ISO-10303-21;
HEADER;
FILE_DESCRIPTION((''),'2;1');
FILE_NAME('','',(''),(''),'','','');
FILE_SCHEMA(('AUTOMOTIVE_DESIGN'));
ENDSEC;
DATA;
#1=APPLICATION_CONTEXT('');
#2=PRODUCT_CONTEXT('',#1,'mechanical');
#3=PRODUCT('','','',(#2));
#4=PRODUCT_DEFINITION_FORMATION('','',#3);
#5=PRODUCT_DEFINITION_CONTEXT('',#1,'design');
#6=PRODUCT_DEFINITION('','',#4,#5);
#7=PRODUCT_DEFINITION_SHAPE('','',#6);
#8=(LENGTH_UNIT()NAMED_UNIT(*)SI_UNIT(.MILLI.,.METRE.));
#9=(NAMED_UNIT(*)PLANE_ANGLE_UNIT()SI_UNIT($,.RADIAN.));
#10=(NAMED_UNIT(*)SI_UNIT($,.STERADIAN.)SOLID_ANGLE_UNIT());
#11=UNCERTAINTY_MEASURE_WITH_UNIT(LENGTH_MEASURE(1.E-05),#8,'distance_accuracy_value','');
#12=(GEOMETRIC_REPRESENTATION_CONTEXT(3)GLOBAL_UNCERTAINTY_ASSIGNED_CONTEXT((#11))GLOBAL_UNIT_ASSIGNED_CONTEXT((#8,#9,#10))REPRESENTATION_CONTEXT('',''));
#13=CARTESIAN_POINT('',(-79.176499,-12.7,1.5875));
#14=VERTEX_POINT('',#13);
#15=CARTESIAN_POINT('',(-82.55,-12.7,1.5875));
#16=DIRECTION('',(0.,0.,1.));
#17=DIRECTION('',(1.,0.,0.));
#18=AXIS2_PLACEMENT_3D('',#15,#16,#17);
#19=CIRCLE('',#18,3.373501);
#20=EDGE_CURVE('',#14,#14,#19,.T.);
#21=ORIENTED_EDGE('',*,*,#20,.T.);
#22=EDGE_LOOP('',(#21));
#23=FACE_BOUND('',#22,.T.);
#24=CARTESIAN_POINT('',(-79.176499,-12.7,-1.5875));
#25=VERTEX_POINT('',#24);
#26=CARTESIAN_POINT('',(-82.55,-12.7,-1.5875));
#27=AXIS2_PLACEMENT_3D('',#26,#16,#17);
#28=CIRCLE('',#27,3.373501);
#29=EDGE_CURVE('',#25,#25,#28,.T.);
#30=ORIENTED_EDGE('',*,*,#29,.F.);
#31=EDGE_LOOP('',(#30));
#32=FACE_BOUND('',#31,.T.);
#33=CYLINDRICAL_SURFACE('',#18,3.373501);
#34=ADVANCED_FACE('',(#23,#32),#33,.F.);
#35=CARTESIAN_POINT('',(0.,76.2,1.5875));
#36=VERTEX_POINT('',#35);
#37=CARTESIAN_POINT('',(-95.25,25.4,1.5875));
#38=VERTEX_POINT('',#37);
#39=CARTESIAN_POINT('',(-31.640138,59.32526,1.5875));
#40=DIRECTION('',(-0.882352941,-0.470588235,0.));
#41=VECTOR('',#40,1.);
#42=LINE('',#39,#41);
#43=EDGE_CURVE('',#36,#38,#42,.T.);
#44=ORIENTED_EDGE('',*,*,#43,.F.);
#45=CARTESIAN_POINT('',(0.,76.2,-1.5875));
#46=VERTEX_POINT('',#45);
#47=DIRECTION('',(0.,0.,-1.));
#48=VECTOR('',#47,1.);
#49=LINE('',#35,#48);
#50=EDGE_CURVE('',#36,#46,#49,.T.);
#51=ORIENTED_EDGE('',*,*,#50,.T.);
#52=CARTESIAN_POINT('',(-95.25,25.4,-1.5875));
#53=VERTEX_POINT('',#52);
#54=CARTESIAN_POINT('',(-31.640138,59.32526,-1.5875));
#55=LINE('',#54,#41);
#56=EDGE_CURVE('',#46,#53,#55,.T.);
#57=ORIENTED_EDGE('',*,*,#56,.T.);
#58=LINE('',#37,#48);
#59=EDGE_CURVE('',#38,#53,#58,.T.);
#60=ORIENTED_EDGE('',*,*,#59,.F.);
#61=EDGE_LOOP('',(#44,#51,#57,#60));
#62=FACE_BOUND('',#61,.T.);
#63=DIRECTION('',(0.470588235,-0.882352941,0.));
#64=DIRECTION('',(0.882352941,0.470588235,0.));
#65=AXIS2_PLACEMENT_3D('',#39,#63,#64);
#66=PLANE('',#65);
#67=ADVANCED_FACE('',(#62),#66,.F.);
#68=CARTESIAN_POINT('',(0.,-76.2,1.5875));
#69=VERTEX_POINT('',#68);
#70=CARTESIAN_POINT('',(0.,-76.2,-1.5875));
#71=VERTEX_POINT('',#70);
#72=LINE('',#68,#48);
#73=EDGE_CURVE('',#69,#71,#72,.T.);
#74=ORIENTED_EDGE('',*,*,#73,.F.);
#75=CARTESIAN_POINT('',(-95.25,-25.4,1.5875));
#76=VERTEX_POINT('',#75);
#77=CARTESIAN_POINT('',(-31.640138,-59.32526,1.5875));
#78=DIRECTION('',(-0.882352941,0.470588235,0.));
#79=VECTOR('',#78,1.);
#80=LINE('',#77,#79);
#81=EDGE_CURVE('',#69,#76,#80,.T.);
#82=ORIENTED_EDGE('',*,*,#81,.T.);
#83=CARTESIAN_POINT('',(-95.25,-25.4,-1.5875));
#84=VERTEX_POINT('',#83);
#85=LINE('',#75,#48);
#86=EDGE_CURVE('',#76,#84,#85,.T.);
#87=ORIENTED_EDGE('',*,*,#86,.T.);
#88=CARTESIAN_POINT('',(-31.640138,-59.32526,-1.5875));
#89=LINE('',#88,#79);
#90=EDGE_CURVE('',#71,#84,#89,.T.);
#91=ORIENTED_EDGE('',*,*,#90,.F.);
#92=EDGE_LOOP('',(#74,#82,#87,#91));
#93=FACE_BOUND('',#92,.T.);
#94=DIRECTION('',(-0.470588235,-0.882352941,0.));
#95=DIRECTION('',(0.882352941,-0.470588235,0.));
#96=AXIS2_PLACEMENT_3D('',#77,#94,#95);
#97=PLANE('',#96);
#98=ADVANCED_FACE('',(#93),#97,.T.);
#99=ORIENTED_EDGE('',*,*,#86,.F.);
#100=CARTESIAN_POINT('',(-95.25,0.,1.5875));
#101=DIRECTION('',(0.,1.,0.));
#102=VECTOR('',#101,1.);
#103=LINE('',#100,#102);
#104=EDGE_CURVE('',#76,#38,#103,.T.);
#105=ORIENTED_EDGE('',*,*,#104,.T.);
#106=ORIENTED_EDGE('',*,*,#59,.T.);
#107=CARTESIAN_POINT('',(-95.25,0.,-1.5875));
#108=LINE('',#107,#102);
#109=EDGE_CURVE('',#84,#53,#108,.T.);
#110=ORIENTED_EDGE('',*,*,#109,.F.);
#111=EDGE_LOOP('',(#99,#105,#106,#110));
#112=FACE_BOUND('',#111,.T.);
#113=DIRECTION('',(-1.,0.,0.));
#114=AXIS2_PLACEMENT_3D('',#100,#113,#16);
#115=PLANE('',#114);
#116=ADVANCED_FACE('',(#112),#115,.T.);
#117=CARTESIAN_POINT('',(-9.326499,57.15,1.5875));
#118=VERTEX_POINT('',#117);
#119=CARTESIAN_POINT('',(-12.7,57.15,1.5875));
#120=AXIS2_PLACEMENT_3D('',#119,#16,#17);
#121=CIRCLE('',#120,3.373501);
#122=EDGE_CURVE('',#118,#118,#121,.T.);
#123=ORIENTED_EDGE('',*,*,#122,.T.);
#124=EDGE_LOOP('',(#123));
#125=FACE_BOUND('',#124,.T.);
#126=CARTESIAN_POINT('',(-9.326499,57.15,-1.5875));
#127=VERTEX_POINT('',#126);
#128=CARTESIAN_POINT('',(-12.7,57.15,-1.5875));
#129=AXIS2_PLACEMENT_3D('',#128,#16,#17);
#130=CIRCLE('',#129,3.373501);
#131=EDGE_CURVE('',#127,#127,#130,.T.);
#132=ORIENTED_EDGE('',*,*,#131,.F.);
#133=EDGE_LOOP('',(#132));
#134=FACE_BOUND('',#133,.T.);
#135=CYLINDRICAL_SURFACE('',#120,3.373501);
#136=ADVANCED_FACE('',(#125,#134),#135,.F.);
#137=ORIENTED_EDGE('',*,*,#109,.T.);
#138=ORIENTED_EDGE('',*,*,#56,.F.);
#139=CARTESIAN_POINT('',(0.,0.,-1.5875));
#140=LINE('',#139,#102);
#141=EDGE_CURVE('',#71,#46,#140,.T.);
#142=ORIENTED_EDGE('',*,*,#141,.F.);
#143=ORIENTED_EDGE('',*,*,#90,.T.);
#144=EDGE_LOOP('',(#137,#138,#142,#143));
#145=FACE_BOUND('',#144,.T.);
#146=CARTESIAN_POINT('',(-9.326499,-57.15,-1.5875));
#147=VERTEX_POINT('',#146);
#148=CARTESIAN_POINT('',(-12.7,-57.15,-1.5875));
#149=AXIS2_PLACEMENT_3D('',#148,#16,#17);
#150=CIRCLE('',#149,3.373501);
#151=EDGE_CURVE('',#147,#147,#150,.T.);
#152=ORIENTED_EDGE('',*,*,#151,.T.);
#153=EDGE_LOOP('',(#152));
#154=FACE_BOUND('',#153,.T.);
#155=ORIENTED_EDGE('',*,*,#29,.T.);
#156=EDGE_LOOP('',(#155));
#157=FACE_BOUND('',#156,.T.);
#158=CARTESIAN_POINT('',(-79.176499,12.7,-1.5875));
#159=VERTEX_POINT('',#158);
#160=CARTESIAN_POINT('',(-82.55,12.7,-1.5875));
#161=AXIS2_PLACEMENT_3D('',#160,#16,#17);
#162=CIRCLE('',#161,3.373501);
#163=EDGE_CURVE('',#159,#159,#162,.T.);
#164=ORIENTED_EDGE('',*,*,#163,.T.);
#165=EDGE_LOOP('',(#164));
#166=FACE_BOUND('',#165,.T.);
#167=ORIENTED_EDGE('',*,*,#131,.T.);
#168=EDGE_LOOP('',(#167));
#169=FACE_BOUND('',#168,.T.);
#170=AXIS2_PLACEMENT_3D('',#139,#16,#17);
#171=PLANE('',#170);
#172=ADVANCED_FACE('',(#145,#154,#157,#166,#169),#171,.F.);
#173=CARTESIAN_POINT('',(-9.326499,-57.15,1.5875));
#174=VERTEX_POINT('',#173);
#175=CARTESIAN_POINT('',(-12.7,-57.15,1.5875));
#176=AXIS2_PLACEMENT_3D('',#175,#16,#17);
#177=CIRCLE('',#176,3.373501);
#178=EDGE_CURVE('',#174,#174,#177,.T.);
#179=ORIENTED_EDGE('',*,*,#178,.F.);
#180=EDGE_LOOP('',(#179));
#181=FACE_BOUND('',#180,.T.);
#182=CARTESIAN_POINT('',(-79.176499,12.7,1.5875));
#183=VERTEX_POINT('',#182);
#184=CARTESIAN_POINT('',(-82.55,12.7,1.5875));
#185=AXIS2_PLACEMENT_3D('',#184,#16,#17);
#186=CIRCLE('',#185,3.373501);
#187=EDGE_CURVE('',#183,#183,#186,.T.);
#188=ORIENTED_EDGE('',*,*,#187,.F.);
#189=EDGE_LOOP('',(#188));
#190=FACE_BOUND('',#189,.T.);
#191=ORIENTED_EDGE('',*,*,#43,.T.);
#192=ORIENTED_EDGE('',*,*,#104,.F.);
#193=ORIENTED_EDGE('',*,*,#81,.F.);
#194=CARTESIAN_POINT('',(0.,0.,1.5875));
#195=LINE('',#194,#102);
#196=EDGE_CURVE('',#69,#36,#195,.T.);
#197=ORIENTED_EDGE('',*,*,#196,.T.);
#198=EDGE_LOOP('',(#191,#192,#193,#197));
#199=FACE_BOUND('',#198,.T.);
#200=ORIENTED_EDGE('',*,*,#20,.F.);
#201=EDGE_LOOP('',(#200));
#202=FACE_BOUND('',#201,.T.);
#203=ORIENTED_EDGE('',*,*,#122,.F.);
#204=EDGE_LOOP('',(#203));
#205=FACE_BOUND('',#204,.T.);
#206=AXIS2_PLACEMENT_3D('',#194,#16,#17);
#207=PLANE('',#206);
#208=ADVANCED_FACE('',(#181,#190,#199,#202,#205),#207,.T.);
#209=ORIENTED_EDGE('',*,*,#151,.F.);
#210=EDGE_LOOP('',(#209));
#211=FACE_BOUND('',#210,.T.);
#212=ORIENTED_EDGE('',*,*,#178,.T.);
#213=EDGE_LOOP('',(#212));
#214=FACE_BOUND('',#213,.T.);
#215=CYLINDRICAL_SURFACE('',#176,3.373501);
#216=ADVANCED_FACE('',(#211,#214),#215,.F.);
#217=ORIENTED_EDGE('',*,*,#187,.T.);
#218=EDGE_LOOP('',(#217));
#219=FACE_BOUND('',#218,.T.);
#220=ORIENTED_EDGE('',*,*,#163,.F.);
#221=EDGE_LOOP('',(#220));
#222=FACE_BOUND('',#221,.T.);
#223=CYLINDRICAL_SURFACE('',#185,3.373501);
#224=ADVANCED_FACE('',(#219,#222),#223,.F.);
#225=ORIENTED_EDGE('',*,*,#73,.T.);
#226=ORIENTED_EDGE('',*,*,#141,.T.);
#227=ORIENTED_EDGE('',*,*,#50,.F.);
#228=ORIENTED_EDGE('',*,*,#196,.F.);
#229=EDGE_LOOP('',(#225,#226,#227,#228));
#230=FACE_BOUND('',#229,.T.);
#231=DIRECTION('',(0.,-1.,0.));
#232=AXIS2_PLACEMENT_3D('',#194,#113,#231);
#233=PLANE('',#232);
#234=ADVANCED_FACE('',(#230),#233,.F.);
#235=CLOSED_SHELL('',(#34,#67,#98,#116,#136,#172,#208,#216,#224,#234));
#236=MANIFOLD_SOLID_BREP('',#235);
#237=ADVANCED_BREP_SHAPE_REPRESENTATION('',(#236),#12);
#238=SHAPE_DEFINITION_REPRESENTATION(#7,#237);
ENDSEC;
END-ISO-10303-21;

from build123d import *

# Parameters (mm, degrees)
BOSS_EXTRUDE3_DEPTH              = 1.5875
F_17_64_0_26563_DIAMETER_HOLE1_D = 6.747002


with BuildPart() as part:
    # Sketch2 → Boss-Extrude3 (new body, symmetric)
    with BuildSketch(Plane.XY):
        Polygon((-95.25, -25.4), (-95.25, 25.4), (0, 76.2), (0, -76.2), align=None)
    extrude(amount=BOSS_EXTRUDE3_DEPTH, both=True)

    # 17/64 (0.26563) Diameter Hole1 (through all)
    with Locations(Plane.XY.offset(1.5875)):
        with Locations((-82.55, 12.7), (-82.55, -12.7), (-12.7, -57.15), (-12.7, 57.15)):
            Hole(F_17_64_0_26563_DIAMETER_HOLE1_D / 2)


solid = part.part
